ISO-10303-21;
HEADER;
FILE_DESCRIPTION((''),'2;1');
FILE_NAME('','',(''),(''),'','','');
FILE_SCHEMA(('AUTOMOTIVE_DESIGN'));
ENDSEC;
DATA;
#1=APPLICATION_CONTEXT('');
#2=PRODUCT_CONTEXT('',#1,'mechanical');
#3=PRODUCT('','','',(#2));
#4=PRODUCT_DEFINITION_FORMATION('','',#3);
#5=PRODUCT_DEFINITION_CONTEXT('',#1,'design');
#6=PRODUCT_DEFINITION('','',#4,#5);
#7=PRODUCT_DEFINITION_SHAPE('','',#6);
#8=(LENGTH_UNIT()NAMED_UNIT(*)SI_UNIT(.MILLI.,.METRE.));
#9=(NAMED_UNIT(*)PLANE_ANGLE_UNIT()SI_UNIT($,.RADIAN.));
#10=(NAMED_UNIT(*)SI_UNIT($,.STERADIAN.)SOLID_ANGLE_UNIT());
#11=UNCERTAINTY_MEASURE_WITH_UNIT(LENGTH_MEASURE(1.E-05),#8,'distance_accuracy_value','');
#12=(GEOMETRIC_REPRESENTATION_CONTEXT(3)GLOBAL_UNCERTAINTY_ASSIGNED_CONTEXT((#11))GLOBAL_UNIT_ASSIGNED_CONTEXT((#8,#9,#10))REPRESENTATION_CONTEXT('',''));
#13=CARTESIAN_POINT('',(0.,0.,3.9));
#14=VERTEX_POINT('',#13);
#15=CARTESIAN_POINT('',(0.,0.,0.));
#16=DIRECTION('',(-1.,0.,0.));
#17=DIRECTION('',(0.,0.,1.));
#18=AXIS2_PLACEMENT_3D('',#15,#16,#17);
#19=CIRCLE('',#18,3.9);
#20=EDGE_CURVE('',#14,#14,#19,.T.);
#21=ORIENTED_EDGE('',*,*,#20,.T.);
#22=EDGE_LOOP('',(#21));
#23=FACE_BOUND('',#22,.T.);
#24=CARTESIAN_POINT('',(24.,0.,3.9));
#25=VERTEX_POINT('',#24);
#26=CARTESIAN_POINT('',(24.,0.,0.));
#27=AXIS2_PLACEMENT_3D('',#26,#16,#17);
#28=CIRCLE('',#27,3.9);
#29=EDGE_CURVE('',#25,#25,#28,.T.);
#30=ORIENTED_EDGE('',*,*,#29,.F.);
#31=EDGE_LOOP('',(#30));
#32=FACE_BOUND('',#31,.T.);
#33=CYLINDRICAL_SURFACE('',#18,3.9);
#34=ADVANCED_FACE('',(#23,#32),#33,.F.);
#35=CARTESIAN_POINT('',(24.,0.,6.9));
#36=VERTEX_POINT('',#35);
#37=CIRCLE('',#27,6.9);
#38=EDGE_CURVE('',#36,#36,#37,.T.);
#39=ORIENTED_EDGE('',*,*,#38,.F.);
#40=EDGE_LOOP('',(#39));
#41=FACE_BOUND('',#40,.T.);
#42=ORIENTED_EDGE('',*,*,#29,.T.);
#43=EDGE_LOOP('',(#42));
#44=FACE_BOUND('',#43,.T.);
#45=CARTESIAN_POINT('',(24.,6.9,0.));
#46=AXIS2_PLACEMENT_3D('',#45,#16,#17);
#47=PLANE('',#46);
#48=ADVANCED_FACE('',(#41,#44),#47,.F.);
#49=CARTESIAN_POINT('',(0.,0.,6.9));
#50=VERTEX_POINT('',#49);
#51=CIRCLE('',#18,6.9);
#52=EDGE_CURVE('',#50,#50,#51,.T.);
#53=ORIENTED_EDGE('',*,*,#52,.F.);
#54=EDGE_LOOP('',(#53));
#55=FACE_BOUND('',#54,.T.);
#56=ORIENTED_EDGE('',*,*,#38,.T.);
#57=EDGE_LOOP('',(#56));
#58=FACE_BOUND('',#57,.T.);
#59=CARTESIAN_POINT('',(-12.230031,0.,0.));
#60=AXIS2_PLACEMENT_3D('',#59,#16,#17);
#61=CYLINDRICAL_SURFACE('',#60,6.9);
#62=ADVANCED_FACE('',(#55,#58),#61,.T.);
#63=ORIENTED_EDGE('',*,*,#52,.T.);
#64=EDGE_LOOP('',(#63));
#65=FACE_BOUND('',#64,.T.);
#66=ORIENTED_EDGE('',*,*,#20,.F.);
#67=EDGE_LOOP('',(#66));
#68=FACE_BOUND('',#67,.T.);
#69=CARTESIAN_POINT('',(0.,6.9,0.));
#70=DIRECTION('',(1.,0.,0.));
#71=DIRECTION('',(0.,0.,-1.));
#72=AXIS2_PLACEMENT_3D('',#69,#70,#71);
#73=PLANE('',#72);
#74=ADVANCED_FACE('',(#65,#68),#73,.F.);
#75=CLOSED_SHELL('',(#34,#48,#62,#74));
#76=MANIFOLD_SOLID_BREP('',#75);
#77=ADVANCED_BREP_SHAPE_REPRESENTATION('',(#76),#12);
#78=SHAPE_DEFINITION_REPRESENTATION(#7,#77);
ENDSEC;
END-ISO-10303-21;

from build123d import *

# Parameters (mm, degrees)
SKETCH1_W                  = 24
SKETCH1_H                  = 6.9
F_7_8_7_8_DIAMETER_HOLE1_D = 7.8


with BuildPart() as part:
    # Sketch1 → Revolve1 (revolve)
    with BuildSketch(Plane.XY, mode=Mode.PRIVATE) as revolve1_sk:
        with Locations((12, 3.45)):
            Rectangle(SKETCH1_W, SKETCH1_H)
    revolve(revolve1_sk.sketch.rotate(Axis((-12.230030818, 0, 0), (1, 0, 0)), 90), axis=Axis((-12.230030818, 0, 0), (1, 0, 0)))

    # Ø7.8 (7.8) Diameter Hole1 (through all)
    with Locations(Plane.ZY):
        with Locations((0, 0)):
            Hole(F_7_8_7_8_DIAMETER_HOLE1_D / 2)


solid = part.part
